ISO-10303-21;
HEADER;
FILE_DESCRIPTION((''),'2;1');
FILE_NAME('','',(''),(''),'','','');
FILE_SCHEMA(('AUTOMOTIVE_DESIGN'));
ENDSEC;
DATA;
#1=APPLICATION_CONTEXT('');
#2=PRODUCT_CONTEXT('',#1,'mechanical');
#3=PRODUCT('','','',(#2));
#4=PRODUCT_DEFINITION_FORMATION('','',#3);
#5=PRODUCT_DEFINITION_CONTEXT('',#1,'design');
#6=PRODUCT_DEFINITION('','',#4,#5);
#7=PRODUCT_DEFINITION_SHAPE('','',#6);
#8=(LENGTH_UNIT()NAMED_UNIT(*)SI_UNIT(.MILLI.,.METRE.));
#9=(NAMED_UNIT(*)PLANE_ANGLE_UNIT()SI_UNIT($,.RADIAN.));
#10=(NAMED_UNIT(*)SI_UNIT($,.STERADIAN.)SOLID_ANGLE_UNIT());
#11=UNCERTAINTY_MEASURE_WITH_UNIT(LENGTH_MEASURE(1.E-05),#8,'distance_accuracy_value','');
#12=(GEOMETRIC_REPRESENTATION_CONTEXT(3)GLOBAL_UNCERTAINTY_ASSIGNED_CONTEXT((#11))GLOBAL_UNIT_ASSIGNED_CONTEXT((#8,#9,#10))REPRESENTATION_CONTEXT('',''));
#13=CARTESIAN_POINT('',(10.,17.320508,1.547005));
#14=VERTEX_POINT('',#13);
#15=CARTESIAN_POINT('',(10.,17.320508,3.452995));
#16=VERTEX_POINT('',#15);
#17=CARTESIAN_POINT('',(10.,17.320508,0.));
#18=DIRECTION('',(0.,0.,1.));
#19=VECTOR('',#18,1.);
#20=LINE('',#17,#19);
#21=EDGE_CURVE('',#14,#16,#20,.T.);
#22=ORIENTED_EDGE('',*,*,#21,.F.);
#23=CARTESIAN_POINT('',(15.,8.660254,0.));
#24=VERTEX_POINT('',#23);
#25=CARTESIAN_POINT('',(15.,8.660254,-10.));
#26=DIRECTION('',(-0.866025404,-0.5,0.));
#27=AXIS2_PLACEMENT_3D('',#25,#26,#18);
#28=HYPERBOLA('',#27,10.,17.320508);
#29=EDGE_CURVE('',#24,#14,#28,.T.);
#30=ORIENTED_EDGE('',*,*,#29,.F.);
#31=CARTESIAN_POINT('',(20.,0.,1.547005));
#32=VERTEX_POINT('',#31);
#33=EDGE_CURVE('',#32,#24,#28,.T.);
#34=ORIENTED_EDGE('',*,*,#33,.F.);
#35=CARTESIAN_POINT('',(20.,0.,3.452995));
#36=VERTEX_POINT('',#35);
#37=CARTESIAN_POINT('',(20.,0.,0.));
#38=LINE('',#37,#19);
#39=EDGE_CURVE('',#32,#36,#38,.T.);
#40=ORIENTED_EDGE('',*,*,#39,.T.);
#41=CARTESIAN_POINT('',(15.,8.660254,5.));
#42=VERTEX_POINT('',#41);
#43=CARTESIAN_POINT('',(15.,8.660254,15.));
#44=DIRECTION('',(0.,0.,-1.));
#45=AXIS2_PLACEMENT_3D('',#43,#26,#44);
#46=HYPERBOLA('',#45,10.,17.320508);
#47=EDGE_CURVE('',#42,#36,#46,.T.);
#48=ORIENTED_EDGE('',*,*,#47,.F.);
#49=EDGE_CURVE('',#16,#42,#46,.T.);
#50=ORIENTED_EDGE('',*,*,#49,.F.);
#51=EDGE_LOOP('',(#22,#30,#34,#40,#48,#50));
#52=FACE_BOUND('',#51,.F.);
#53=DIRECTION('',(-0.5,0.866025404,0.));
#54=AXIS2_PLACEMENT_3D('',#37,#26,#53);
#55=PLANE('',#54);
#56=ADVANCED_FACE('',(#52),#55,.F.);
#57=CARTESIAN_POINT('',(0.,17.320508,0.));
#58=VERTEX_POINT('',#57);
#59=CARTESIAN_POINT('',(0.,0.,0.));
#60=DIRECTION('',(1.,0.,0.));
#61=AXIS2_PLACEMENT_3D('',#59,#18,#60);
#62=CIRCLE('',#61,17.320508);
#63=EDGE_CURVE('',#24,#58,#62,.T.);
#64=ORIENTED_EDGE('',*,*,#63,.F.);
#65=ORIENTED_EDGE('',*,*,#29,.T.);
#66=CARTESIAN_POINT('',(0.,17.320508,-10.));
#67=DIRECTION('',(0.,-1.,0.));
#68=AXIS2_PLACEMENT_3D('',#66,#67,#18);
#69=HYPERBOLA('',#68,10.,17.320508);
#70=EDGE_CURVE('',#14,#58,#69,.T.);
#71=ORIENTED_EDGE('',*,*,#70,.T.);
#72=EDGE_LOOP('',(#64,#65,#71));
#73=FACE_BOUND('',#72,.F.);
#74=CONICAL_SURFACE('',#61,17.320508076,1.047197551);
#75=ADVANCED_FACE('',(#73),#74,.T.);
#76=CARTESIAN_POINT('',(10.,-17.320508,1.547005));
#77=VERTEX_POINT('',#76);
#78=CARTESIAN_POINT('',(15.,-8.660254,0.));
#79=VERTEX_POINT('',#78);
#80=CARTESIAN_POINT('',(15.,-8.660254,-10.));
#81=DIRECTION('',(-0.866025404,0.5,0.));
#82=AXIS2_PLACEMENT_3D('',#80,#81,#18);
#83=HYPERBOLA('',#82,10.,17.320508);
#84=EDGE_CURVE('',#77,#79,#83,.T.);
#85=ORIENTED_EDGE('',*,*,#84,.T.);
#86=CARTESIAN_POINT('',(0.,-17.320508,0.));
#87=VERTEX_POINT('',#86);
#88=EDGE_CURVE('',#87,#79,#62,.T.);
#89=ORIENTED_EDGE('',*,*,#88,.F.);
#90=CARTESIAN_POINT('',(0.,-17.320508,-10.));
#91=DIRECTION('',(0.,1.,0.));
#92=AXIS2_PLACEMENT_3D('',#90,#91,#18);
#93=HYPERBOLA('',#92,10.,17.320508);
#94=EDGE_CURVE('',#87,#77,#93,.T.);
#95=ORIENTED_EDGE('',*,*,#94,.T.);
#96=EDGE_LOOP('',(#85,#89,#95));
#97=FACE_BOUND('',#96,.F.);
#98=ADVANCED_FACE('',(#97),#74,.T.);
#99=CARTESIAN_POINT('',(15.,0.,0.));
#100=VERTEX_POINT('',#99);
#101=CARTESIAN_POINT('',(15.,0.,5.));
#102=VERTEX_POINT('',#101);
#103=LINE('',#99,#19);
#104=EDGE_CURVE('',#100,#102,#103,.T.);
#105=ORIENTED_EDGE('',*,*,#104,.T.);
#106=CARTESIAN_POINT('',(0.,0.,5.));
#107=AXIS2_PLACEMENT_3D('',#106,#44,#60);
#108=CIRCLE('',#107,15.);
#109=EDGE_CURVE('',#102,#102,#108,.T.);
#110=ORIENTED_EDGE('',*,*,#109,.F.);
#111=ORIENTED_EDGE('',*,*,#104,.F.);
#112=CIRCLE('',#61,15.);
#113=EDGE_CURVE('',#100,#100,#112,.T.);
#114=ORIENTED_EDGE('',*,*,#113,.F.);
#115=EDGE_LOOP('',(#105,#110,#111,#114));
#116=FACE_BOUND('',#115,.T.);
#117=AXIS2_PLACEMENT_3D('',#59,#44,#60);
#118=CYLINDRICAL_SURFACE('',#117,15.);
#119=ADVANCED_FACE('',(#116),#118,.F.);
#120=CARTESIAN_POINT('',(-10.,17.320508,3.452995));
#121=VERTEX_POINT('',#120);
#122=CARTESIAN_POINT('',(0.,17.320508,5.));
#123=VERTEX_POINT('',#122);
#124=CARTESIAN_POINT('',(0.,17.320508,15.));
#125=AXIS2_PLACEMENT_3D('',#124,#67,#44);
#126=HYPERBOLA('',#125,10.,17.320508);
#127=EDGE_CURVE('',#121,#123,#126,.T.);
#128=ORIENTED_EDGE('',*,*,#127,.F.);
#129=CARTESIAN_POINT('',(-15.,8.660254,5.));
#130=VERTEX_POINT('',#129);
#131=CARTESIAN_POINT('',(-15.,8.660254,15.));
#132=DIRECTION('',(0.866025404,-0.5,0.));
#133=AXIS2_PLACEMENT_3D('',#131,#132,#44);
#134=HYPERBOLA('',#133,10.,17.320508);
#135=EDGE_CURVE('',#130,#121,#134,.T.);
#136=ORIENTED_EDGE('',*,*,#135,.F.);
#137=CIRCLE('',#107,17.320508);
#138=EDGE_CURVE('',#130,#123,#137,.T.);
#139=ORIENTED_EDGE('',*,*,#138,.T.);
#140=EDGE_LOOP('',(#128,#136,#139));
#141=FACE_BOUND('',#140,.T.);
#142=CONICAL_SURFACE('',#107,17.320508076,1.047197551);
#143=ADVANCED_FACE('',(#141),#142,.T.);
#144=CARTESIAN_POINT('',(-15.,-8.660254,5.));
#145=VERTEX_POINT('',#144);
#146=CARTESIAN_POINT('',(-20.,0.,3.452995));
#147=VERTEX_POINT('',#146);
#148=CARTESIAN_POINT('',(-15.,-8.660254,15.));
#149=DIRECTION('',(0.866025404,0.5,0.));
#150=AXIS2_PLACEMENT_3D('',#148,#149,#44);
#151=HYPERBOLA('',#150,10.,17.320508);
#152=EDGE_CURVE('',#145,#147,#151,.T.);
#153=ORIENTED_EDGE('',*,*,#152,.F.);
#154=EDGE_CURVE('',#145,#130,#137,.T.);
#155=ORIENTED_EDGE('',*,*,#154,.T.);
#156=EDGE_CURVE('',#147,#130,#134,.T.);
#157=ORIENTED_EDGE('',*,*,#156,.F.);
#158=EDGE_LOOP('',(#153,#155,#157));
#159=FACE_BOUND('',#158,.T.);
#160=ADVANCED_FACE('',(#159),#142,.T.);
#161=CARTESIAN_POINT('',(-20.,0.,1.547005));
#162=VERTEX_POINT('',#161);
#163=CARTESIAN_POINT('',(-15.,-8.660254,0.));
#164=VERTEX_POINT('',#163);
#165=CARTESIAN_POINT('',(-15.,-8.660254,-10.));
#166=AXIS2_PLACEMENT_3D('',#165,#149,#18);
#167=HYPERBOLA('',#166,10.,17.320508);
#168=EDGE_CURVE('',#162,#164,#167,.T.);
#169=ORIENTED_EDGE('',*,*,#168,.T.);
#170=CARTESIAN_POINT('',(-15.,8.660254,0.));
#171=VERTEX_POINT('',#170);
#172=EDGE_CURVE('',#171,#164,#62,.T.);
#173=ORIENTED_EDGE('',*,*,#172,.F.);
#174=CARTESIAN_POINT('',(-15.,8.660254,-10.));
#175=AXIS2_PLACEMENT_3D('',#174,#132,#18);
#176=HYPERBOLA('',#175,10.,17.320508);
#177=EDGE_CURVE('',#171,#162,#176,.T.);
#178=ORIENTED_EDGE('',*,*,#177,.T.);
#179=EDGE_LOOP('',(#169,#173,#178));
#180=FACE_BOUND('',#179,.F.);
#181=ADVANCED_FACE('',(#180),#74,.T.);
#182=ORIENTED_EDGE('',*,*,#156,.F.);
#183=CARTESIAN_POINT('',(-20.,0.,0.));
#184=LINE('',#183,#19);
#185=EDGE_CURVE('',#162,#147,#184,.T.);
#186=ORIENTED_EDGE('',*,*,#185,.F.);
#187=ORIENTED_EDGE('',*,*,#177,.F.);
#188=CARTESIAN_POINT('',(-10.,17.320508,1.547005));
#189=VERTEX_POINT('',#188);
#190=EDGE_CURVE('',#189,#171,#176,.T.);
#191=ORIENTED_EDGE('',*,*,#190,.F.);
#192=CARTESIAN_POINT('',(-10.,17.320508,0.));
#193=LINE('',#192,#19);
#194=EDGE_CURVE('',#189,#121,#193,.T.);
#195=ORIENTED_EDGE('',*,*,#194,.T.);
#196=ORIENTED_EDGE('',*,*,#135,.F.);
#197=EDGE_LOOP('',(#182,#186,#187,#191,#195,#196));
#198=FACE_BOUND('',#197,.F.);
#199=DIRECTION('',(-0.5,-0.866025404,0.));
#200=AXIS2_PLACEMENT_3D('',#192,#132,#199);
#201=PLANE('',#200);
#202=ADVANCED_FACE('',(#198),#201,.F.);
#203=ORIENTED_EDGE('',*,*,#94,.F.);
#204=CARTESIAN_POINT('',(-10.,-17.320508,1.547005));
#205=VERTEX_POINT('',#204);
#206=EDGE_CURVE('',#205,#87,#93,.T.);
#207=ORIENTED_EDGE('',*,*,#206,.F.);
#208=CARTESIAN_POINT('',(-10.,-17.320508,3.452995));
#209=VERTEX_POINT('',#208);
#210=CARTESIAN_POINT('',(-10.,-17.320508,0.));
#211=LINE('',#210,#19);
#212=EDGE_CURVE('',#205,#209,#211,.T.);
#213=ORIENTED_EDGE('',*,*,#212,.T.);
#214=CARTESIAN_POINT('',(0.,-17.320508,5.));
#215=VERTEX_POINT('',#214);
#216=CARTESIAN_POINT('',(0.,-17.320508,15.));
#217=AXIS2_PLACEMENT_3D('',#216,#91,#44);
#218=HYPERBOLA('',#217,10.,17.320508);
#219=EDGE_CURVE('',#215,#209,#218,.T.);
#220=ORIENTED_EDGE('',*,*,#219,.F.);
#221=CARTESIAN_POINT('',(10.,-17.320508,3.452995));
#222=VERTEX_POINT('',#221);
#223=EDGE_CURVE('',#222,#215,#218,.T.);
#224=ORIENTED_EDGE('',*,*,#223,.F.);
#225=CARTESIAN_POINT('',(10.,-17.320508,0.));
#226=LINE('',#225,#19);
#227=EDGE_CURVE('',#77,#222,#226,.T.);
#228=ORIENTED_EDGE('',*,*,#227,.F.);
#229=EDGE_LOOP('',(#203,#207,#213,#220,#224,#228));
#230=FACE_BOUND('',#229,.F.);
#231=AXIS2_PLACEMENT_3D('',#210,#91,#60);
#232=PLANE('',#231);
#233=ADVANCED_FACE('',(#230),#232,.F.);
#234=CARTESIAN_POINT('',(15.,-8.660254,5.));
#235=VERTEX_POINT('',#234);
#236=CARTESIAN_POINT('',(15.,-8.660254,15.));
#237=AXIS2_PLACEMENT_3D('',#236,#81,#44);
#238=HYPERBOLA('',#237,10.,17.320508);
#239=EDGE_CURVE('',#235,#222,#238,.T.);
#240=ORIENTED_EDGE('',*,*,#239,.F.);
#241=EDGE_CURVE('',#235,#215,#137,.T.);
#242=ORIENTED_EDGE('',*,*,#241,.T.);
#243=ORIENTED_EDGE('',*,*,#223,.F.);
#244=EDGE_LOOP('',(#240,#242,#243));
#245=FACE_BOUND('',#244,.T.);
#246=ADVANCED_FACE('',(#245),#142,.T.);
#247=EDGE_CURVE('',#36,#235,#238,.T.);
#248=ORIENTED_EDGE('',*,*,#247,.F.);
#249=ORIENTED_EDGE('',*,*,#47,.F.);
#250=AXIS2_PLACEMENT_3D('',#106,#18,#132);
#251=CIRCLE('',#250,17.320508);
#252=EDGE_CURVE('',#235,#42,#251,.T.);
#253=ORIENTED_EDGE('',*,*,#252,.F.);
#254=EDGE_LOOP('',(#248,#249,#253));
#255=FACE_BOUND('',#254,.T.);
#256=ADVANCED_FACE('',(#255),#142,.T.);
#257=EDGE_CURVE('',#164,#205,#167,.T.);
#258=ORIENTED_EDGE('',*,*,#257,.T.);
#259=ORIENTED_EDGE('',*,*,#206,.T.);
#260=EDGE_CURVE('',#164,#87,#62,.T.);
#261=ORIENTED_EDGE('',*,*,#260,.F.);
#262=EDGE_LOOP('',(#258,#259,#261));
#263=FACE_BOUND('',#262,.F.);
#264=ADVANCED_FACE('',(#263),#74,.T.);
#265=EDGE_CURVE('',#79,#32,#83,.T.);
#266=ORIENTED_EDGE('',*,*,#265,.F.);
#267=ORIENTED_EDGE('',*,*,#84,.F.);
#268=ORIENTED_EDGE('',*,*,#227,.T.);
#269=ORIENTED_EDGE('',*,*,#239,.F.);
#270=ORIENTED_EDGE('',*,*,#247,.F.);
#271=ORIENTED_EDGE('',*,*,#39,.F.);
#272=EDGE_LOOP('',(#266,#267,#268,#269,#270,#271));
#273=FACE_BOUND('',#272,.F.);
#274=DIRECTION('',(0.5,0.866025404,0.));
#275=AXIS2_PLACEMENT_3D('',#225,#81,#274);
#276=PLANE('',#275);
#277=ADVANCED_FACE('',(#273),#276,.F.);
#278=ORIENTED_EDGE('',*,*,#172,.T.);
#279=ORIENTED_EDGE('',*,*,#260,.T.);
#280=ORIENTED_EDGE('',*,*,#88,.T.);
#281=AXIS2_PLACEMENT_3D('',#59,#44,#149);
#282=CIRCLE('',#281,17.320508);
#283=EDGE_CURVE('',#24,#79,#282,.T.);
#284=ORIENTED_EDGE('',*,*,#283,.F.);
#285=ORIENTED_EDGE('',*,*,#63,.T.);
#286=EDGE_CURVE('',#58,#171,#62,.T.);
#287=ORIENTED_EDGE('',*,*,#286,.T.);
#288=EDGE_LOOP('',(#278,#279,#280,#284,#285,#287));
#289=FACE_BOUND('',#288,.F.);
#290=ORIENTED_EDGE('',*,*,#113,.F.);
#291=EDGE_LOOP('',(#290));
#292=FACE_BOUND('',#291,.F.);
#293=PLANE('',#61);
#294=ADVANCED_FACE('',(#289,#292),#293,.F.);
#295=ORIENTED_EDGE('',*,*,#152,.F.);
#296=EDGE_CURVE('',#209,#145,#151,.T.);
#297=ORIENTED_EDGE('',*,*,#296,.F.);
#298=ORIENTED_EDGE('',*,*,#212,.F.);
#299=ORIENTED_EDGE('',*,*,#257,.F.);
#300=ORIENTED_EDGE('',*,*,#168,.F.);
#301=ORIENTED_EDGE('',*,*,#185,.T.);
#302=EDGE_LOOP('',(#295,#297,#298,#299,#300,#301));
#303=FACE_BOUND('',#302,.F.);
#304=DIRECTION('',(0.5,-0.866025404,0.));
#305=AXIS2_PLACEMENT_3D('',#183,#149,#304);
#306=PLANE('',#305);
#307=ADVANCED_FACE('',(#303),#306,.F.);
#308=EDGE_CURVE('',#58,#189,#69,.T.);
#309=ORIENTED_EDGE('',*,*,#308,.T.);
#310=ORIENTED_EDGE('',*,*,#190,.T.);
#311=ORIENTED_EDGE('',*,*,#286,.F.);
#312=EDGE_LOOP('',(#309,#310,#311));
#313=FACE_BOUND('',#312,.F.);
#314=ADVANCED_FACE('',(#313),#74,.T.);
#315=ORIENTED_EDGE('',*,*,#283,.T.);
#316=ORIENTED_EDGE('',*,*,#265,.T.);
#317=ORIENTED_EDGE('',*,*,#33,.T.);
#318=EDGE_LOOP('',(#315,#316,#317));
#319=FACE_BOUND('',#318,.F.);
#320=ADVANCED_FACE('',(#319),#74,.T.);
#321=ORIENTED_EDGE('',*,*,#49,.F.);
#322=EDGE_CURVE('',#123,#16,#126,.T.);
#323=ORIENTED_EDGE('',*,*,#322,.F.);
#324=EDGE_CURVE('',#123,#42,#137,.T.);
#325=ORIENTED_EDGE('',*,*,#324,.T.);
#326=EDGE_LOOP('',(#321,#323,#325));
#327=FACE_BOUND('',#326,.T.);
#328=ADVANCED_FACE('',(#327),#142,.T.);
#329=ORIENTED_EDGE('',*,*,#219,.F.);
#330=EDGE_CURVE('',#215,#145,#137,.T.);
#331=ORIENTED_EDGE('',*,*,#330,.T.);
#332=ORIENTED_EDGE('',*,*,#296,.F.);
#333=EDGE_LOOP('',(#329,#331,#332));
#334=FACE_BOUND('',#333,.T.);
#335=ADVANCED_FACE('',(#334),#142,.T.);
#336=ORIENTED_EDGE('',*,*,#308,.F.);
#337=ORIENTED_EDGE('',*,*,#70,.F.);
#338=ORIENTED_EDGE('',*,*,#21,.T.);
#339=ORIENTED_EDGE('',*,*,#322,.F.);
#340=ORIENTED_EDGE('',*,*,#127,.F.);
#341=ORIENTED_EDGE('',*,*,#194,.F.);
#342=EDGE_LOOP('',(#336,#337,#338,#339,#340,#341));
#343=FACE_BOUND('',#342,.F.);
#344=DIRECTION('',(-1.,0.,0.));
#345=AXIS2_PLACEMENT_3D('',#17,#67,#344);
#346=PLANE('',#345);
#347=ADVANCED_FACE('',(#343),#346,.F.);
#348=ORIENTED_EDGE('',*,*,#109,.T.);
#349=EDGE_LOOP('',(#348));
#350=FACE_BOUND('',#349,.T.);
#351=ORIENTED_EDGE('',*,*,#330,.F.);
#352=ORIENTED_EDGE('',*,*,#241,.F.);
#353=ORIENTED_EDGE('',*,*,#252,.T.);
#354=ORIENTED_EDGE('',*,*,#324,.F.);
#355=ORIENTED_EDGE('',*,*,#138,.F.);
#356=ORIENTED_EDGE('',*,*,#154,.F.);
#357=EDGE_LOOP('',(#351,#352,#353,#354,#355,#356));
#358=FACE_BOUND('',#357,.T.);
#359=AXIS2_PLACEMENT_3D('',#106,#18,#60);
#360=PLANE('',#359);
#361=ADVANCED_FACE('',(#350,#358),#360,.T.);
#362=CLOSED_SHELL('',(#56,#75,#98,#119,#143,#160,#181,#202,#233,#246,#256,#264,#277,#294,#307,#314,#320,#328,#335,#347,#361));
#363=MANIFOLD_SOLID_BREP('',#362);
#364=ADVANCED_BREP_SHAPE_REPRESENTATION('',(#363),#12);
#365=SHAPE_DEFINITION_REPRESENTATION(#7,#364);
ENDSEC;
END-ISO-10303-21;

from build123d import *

# Parameters (mm, degrees)
DODANIE_WYCI_GNI_CIE1_DEPTH = 5
SZKIC2_OUTSIDE_W            = 139.232
SZKIC2_OUTSIDE_H            = 133.874
SZKIC2_OUTSIDE_R            = 17.320508076
WYTNIJ_WYCI_GNI_CIE1_DEPTH  = 25
WYTNIJ_WYCI_GNI_CIE1_DRAFT  = 60
SZKIC3_R                    = 15
WYTNIJ_WYCI_GNI_CIE5_DEPTH  = 15
SZKIC5_OUTSIDE_W            = 87.272
SZKIC5_OUTSIDE_H            = 81.914
SZKIC5_OUTSIDE_R            = 17.320508076
WYTNIJ_WYCI_GNI_CIE8_DEPTH  = 10
WYTNIJ_WYCI_GNI_CIE8_TAPER  = 60


with BuildPart() as part:
    # Szkic1 → Dodanie-wyciągnięcie1 (new body)
    with BuildSketch(Plane.XY):
        Polygon((10, 17.320508076), (-10, 17.320508076), (-20, 0), (-10, -17.320508076), (10, -17.320508076), (20, 0), align=None)
    extrude(amount=DODANIE_WYCI_GNI_CIE1_DEPTH)


with BuildPart() as wytnij_wyci_gni_cie1_tool:
    # Szkic2 outside → Wytnij-wyciągnięcie1 (with draft: the straight prism first)
    with BuildSketch(Plane.XY):
        Rectangle(SZKIC2_OUTSIDE_W, SZKIC2_OUTSIDE_H)
        Circle(SZKIC2_OUTSIDE_R, mode=Mode.SUBTRACT)
    extrude(amount=WYTNIJ_WYCI_GNI_CIE1_DEPTH)
    # Wytnij-wyciągnięcie1: the draft: its side faces are tilted about the plane it starts from
    wytnij_wyci_gni_cie1_sides = [wytnij_wyci_gni_cie1_tool.faces().sort_by_distance(p)[0] for p in [
        (0, -66.937, 12.5),
        (69.616, 0, 12.5),
        (0, 66.937, 12.5),
        (-69.616, 0, 12.5),
        (-17.320508076, 0, 12.5),
    ]]
    draft(wytnij_wyci_gni_cie1_sides, Plane.XY, WYTNIJ_WYCI_GNI_CIE1_DRAFT)


with BuildPart() as part_1:
    add(part.part)

    # Wytnij-wyciągnięcie1: cut by wytnij_wyci_gni_cie1_tool
    add(wytnij_wyci_gni_cie1_tool.part, mode=Mode.SUBTRACT)

    # Szkic3 → Wytnij-wyciągnięcie5 (cut)
    with BuildSketch(Plane.XY):
        Circle(SZKIC3_R)
    extrude(amount=WYTNIJ_WYCI_GNI_CIE5_DEPTH, mode=Mode.SUBTRACT)

    # Szkic5 outside → Wytnij-wyciągnięcie8 (cut)
    with BuildSketch(Plane.XY.offset(5)):
        Rectangle(SZKIC5_OUTSIDE_W, SZKIC5_OUTSIDE_H)
        Circle(SZKIC5_OUTSIDE_R, mode=Mode.SUBTRACT)
    extrude(amount=-WYTNIJ_WYCI_GNI_CIE8_DEPTH, taper=WYTNIJ_WYCI_GNI_CIE8_TAPER, mode=Mode.SUBTRACT)


solid = part_1.part
